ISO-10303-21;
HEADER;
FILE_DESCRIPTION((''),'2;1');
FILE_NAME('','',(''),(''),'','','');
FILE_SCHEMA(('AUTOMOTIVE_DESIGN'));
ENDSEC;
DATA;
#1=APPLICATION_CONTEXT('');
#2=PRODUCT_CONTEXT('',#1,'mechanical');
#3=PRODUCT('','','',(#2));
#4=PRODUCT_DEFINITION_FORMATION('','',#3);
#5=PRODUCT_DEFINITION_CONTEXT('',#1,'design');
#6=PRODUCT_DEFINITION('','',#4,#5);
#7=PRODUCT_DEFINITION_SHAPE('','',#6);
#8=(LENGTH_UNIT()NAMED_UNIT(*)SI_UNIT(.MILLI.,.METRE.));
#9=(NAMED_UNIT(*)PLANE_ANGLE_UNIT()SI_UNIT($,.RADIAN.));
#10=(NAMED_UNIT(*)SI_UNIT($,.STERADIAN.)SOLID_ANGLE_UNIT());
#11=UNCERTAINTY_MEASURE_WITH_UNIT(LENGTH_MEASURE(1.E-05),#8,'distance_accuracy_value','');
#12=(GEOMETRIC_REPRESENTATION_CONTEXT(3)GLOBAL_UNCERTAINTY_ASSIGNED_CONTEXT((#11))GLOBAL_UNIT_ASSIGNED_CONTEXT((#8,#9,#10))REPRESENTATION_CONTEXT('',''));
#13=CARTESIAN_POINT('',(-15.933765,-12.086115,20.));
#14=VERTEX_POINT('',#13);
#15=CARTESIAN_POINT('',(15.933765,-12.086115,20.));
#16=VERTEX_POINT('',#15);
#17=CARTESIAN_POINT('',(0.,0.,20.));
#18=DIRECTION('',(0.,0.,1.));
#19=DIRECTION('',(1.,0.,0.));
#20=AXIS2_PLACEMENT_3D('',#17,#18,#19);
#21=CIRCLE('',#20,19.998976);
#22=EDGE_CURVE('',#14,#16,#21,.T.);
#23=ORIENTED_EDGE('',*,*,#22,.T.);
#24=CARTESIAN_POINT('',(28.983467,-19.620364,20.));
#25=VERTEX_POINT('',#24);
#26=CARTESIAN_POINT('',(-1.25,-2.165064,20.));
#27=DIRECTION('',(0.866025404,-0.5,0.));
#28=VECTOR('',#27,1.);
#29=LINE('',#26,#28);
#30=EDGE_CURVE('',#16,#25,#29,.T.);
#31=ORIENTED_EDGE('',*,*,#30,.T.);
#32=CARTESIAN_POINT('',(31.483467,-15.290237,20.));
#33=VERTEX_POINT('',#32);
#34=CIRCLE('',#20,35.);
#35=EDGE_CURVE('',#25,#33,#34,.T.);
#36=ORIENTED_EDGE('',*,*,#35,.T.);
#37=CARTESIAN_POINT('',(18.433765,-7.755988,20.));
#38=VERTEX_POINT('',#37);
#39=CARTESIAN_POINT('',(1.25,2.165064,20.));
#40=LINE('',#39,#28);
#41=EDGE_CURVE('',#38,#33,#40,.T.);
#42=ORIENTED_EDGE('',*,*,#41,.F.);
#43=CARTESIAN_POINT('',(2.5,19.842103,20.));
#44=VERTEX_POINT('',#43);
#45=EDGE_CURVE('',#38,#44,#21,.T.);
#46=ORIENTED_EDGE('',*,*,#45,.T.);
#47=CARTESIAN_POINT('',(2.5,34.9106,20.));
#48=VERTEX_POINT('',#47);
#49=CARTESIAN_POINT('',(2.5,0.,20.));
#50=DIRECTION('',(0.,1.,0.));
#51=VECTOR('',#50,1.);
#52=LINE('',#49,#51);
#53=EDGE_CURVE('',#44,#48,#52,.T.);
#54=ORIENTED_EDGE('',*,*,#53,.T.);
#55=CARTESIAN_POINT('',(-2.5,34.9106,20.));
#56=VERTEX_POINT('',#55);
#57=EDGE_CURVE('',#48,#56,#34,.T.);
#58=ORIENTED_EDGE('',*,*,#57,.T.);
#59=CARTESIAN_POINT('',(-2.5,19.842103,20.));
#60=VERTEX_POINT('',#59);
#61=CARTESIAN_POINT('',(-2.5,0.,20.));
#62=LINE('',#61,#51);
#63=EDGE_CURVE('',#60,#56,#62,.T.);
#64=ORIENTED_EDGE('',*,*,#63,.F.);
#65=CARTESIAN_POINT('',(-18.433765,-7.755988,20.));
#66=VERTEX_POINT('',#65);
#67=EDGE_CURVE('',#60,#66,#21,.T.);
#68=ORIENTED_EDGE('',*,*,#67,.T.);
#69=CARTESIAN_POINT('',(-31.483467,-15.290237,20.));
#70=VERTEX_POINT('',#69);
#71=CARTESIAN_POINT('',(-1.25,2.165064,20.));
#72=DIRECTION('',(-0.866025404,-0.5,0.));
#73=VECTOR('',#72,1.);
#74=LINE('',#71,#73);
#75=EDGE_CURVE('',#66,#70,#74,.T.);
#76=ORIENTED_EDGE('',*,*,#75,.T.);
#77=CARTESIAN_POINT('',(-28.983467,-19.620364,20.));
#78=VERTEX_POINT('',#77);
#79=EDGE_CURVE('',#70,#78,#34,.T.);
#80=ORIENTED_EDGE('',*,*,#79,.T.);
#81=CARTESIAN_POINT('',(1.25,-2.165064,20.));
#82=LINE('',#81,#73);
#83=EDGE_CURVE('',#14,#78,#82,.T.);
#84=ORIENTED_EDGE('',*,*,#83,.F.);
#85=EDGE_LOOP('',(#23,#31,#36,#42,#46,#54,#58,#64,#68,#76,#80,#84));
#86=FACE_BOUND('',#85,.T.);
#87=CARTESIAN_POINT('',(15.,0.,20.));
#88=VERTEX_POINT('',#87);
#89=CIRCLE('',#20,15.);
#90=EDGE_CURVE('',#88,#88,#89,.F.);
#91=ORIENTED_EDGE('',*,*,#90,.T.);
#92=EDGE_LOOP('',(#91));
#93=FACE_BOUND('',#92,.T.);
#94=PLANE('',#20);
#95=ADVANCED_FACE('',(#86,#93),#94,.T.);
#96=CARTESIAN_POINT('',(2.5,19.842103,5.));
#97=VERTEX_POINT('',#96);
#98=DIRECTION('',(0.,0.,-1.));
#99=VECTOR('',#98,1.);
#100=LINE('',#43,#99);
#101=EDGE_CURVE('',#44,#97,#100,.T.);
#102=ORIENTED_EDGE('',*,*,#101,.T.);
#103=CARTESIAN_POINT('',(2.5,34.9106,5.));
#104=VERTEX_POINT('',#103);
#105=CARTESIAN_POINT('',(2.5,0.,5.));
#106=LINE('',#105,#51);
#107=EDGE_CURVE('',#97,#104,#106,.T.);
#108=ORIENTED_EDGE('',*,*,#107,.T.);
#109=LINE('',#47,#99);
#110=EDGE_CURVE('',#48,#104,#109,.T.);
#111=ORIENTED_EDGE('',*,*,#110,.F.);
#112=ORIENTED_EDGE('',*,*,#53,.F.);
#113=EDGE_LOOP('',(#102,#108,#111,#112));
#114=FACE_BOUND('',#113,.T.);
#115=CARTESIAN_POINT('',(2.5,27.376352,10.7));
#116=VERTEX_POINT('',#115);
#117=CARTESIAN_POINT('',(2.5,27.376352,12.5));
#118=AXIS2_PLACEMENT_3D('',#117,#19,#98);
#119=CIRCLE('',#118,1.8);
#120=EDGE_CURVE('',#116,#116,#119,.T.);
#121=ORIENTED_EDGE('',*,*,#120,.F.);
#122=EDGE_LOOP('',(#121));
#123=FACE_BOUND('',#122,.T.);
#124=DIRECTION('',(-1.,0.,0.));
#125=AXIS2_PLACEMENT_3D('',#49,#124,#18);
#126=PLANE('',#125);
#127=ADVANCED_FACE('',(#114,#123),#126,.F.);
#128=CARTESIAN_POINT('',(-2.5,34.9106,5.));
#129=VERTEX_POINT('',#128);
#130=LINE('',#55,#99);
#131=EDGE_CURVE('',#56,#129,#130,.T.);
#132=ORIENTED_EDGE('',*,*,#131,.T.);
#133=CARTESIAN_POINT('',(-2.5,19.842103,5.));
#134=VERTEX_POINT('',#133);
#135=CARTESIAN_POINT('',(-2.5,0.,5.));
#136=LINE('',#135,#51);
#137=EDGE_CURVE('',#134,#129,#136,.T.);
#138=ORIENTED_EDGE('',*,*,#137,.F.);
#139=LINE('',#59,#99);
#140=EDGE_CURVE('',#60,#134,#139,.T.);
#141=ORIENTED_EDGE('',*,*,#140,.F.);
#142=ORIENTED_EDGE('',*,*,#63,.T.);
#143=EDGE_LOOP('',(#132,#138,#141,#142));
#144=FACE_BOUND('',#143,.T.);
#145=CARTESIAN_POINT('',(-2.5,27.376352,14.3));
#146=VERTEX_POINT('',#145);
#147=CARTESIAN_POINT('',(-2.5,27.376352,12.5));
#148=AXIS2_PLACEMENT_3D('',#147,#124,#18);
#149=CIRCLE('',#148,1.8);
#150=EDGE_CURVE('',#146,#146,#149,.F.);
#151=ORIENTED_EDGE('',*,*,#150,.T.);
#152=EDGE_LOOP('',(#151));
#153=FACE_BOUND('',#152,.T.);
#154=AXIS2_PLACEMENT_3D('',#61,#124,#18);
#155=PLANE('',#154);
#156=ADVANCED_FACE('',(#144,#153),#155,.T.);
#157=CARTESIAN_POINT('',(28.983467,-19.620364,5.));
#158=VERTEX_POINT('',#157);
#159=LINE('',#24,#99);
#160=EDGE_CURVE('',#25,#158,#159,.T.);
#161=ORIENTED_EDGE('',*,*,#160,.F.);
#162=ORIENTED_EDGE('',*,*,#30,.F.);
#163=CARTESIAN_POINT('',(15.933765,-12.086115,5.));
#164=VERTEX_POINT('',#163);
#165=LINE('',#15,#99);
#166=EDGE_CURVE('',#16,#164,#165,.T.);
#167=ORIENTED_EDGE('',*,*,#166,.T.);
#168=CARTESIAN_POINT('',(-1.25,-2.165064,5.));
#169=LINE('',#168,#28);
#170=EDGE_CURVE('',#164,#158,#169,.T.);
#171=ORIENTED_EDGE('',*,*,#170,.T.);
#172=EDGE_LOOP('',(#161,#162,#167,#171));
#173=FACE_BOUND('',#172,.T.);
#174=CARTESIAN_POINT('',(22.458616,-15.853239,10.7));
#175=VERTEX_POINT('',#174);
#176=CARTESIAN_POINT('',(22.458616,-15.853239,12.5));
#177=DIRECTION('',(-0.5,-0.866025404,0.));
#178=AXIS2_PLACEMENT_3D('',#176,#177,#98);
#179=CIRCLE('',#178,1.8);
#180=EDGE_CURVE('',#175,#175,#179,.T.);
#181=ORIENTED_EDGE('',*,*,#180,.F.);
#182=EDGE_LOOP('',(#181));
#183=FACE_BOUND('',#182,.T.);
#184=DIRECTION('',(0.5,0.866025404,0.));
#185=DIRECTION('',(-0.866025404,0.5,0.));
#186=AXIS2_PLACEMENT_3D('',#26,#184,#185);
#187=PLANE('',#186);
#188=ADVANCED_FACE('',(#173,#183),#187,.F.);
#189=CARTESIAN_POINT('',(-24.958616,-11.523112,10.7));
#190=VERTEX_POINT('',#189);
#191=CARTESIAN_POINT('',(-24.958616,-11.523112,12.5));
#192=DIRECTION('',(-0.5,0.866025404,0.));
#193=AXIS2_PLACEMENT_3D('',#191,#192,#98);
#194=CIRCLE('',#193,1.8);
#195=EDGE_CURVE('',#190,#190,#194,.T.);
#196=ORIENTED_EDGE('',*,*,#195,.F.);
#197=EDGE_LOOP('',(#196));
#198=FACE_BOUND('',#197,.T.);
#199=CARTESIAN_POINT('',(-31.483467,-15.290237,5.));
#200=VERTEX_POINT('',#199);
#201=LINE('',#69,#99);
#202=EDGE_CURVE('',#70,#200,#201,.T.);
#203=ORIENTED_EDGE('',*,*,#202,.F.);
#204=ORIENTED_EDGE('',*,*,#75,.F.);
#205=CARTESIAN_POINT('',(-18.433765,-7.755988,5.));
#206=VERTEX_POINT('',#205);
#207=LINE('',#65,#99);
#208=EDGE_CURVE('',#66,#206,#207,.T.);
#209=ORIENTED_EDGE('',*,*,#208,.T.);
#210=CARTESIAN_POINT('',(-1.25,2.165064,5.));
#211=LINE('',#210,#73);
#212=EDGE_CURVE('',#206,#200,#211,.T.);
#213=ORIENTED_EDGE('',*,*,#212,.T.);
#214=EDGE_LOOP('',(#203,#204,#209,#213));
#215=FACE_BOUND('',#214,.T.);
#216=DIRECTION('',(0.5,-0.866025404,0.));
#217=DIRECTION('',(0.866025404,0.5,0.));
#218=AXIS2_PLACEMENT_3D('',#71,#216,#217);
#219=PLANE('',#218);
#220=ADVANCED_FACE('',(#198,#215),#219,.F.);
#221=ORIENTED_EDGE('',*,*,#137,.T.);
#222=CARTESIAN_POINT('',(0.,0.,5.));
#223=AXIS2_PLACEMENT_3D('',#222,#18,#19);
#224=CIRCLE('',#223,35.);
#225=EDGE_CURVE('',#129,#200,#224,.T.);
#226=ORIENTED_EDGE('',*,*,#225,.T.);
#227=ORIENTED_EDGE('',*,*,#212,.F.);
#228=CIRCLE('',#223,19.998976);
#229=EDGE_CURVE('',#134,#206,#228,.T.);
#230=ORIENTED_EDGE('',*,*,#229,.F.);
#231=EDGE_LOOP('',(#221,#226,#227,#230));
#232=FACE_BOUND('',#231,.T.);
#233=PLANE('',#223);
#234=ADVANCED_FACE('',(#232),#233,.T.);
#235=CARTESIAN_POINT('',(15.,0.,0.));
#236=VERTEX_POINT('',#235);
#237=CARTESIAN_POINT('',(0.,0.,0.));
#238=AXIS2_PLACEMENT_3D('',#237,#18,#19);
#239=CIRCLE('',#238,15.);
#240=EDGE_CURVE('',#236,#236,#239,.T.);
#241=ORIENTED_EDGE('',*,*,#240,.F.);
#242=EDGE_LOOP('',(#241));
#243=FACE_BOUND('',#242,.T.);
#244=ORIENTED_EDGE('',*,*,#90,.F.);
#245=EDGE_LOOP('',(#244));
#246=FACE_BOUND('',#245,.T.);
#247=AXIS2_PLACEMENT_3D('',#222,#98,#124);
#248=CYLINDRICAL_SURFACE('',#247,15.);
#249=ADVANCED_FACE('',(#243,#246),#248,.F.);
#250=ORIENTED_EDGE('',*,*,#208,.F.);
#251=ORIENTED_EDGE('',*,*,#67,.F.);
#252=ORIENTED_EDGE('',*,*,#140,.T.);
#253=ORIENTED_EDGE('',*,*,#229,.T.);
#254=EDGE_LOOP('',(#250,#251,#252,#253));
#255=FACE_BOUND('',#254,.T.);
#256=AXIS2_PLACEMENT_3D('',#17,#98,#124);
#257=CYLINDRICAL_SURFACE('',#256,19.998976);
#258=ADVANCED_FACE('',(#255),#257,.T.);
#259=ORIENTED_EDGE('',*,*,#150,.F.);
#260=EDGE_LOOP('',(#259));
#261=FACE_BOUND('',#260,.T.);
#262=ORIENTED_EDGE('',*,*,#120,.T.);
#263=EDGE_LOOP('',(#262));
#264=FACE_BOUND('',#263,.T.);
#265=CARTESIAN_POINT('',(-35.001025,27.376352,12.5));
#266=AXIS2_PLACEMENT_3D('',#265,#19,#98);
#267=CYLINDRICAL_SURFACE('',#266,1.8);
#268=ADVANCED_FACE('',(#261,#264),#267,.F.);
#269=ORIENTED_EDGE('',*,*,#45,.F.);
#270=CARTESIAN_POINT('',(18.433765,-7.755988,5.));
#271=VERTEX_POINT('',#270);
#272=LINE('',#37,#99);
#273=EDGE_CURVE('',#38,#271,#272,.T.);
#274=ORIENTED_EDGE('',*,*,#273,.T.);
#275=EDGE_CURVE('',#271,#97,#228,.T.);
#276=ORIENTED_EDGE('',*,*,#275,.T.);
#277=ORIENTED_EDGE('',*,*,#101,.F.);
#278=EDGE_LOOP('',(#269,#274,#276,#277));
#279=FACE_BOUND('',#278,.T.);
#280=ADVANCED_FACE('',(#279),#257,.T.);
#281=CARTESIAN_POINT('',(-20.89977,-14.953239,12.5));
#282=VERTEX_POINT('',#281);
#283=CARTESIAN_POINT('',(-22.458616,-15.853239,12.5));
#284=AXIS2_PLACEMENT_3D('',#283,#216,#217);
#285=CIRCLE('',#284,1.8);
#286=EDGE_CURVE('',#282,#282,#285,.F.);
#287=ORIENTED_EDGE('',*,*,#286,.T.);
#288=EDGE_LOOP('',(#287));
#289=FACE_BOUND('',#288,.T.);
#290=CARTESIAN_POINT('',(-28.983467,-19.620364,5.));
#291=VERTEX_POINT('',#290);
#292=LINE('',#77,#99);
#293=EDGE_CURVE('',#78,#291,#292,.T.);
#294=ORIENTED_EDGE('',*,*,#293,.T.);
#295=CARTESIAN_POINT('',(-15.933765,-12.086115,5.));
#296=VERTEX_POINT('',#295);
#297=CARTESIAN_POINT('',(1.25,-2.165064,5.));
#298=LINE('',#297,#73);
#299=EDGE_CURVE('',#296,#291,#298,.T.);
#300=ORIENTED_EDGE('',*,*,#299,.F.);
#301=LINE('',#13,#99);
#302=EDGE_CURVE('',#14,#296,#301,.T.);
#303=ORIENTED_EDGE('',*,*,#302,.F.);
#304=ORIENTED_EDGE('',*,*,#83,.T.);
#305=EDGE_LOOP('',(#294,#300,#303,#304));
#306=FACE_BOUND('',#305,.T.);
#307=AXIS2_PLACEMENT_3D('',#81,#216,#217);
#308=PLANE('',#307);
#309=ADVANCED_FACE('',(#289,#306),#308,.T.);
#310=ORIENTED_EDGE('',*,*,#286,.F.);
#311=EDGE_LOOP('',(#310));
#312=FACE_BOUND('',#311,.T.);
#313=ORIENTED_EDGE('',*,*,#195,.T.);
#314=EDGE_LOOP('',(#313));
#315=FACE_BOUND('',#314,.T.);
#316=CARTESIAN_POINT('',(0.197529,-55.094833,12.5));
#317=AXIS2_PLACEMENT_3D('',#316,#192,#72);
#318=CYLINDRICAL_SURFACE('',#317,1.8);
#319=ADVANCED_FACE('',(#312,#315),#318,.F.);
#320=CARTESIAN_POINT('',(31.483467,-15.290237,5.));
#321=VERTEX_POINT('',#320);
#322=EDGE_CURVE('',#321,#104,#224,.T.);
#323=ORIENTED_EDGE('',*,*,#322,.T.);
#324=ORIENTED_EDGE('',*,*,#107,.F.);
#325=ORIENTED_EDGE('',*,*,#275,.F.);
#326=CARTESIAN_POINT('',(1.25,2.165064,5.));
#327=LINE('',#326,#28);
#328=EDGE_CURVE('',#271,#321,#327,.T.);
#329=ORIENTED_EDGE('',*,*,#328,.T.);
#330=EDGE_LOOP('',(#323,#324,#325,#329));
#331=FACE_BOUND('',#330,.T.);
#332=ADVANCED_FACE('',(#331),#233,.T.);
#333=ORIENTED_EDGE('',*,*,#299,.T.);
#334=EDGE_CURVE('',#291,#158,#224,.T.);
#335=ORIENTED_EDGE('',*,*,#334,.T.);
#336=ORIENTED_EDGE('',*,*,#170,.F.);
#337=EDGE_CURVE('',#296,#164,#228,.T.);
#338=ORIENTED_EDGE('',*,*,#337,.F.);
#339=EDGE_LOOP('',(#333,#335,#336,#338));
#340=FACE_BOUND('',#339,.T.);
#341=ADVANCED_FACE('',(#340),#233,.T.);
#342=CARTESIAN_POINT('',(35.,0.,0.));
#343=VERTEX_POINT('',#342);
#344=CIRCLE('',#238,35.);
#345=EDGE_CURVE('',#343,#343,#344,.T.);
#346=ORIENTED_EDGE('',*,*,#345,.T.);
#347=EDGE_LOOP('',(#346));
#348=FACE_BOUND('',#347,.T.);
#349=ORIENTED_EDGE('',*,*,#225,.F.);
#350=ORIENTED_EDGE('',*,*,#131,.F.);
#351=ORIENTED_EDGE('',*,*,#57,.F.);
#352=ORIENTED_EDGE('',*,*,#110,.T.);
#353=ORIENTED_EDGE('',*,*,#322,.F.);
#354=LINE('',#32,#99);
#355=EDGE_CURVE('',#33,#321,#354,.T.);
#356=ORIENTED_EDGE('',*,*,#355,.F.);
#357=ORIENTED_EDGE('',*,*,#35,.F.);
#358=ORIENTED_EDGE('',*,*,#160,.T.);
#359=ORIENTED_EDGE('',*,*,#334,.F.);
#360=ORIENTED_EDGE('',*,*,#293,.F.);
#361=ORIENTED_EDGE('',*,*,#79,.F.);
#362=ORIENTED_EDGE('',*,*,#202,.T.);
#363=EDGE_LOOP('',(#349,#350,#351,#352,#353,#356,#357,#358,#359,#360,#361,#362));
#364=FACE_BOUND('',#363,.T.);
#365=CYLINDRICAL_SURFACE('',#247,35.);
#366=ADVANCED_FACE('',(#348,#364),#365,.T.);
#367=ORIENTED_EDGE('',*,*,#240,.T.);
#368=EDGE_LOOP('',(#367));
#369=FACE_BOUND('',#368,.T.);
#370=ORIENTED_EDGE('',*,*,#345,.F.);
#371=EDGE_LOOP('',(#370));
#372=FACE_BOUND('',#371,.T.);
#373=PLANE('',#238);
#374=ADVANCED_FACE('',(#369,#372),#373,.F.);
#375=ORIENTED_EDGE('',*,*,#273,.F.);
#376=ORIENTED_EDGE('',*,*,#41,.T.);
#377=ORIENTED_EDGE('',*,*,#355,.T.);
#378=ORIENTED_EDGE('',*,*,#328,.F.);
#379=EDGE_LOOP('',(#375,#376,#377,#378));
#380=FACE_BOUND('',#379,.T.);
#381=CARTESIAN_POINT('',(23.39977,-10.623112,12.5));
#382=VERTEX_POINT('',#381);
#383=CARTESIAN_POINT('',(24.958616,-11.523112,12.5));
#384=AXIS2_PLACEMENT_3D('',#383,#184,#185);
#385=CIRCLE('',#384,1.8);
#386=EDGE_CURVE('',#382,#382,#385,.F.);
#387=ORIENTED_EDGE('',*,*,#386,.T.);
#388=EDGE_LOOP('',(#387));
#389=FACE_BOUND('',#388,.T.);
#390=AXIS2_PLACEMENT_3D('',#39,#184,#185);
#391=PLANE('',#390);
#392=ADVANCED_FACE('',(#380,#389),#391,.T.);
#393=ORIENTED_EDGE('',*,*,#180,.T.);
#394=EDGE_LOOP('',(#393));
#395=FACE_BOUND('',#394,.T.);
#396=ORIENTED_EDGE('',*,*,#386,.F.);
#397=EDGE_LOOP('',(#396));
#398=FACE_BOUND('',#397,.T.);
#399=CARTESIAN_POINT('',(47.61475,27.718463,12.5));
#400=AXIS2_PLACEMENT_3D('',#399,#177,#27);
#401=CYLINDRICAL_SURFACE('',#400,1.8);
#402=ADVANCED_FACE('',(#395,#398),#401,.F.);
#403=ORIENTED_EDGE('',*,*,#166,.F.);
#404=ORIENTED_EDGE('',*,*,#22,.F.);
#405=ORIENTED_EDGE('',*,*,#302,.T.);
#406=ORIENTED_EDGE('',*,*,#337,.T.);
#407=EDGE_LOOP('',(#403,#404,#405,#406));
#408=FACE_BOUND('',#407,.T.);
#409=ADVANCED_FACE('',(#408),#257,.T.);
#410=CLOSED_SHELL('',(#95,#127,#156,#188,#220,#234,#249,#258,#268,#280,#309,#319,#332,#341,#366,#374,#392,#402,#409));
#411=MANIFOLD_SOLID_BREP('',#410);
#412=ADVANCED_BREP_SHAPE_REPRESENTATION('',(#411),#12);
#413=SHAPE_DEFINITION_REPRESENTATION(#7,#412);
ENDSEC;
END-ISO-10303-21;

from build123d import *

# Parameters (mm, degrees)
SKETCH2_R           = 35
SKETCH2_R_2         = 15
BOSS_EXTRUDE1_DEPTH = 5
SKETCH3_R           = 19.99897621
SKETCH3_R_2         = 15
BOSS_EXTRUDE3_DEPTH = 15
CUT_EXTRUDE1_REACH  = 57.057
SKETCH4_R           = 1.8
CIRPATTERN1_COUNT   = 3


with BuildPart() as part:
    # Sketch2 → Boss-Extrude1 (new body)
    with BuildSketch(Plane.XY):
        Circle(SKETCH2_R)
        Circle(SKETCH2_R_2, mode=Mode.SUBTRACT)
    extrude(amount=BOSS_EXTRUDE1_DEPTH)

    # Sketch3 → Boss-Extrude3 (add)
    # profile 1 of 4: a face of its own
    with BuildSketch(Plane.XY.offset(5)):
        Circle(SKETCH3_R)
        Circle(SKETCH3_R_2, mode=Mode.SUBTRACT)
    # profile 2 of 4: a face of its own
    with BuildSketch(Plane.XY.offset(5)):
        with BuildLine():
            Line((-2.5, 34.910600109), (-2.5, 19.84210295))
            ThreePointArc((-2.5, 19.84210295), (0, 19.99897621), (2.5, 19.84210295))
            Line((2.5, 19.84210295), (2.5, 34.910600109))
            ThreePointArc((2.5, 34.910600109), (0, 35), (-2.5, 34.910600109))
        make_face()
    # profile 3 of 4: a face of its own
    with BuildSketch(Plane.XY.offset(5)):
        with BuildLine():
            ThreePointArc((18.433765219, -7.755987965), (17.319621448, -9.999488105), (15.933765219, -12.086114984))
            Line((15.933765219, -12.086114984), (28.983466556, -19.620363564))
            ThreePointArc((28.983466556, -19.620363564), (30.310889132, -17.5), (31.483466556, -15.290236545))
            Line((31.483466556, -15.290236545), (18.433765219, -7.755987965))
        make_face()
    # profile 4 of 4: a face of its own
    with BuildSketch(Plane.XY.offset(5)):
        with BuildLine():
            Line((-28.983466556, -19.620363564), (-15.933765219, -12.086114984))
            ThreePointArc((-15.933765219, -12.086114984), (-17.319621448, -9.999488105), (-18.433765219, -7.755987965))
            Line((-18.433765219, -7.755987965), (-31.483466556, -15.290236545))
            ThreePointArc((-31.483466556, -15.290236545), (-30.310889132, -17.5), (-28.983466556, -19.620363564))
        make_face()
    extrude(amount=BOSS_EXTRUDE3_DEPTH)

    # Sketch4 → Cut-Extrude1 (cut, up to next)
    with BuildSketch(Plane(origin=(2.5, 0, 0), x_dir=(0, 0, -1), z_dir=(1, 0, 0)), mode=Mode.PRIVATE) as cut_extrude1_sk1:
        with Locations((-12.5, 27.376351529)):
            Circle(SKETCH4_R)
    cut_extrude1_tool1 = extrude(cut_extrude1_sk1.sketch, amount=-CUT_EXTRUDE1_REACH, mode=Mode.PRIVATE) & part.part
    cut_extrude1 = cut_extrude1_tool1.solids().sort_by_distance((2.5, 27.376352, 12.5))[0]
    add(cut_extrude1, mode=Mode.SUBTRACT)

    # CirPattern1: Cut-Extrude1 ×3 about axis
    cirpattern1_axis = Axis((0, 0, 5), (0, 0, -1))
    for i in range(1, CIRPATTERN1_COUNT):
        add(cut_extrude1.rotate(cirpattern1_axis, i * 360 / CIRPATTERN1_COUNT), mode=Mode.SUBTRACT)


solid = part.part
